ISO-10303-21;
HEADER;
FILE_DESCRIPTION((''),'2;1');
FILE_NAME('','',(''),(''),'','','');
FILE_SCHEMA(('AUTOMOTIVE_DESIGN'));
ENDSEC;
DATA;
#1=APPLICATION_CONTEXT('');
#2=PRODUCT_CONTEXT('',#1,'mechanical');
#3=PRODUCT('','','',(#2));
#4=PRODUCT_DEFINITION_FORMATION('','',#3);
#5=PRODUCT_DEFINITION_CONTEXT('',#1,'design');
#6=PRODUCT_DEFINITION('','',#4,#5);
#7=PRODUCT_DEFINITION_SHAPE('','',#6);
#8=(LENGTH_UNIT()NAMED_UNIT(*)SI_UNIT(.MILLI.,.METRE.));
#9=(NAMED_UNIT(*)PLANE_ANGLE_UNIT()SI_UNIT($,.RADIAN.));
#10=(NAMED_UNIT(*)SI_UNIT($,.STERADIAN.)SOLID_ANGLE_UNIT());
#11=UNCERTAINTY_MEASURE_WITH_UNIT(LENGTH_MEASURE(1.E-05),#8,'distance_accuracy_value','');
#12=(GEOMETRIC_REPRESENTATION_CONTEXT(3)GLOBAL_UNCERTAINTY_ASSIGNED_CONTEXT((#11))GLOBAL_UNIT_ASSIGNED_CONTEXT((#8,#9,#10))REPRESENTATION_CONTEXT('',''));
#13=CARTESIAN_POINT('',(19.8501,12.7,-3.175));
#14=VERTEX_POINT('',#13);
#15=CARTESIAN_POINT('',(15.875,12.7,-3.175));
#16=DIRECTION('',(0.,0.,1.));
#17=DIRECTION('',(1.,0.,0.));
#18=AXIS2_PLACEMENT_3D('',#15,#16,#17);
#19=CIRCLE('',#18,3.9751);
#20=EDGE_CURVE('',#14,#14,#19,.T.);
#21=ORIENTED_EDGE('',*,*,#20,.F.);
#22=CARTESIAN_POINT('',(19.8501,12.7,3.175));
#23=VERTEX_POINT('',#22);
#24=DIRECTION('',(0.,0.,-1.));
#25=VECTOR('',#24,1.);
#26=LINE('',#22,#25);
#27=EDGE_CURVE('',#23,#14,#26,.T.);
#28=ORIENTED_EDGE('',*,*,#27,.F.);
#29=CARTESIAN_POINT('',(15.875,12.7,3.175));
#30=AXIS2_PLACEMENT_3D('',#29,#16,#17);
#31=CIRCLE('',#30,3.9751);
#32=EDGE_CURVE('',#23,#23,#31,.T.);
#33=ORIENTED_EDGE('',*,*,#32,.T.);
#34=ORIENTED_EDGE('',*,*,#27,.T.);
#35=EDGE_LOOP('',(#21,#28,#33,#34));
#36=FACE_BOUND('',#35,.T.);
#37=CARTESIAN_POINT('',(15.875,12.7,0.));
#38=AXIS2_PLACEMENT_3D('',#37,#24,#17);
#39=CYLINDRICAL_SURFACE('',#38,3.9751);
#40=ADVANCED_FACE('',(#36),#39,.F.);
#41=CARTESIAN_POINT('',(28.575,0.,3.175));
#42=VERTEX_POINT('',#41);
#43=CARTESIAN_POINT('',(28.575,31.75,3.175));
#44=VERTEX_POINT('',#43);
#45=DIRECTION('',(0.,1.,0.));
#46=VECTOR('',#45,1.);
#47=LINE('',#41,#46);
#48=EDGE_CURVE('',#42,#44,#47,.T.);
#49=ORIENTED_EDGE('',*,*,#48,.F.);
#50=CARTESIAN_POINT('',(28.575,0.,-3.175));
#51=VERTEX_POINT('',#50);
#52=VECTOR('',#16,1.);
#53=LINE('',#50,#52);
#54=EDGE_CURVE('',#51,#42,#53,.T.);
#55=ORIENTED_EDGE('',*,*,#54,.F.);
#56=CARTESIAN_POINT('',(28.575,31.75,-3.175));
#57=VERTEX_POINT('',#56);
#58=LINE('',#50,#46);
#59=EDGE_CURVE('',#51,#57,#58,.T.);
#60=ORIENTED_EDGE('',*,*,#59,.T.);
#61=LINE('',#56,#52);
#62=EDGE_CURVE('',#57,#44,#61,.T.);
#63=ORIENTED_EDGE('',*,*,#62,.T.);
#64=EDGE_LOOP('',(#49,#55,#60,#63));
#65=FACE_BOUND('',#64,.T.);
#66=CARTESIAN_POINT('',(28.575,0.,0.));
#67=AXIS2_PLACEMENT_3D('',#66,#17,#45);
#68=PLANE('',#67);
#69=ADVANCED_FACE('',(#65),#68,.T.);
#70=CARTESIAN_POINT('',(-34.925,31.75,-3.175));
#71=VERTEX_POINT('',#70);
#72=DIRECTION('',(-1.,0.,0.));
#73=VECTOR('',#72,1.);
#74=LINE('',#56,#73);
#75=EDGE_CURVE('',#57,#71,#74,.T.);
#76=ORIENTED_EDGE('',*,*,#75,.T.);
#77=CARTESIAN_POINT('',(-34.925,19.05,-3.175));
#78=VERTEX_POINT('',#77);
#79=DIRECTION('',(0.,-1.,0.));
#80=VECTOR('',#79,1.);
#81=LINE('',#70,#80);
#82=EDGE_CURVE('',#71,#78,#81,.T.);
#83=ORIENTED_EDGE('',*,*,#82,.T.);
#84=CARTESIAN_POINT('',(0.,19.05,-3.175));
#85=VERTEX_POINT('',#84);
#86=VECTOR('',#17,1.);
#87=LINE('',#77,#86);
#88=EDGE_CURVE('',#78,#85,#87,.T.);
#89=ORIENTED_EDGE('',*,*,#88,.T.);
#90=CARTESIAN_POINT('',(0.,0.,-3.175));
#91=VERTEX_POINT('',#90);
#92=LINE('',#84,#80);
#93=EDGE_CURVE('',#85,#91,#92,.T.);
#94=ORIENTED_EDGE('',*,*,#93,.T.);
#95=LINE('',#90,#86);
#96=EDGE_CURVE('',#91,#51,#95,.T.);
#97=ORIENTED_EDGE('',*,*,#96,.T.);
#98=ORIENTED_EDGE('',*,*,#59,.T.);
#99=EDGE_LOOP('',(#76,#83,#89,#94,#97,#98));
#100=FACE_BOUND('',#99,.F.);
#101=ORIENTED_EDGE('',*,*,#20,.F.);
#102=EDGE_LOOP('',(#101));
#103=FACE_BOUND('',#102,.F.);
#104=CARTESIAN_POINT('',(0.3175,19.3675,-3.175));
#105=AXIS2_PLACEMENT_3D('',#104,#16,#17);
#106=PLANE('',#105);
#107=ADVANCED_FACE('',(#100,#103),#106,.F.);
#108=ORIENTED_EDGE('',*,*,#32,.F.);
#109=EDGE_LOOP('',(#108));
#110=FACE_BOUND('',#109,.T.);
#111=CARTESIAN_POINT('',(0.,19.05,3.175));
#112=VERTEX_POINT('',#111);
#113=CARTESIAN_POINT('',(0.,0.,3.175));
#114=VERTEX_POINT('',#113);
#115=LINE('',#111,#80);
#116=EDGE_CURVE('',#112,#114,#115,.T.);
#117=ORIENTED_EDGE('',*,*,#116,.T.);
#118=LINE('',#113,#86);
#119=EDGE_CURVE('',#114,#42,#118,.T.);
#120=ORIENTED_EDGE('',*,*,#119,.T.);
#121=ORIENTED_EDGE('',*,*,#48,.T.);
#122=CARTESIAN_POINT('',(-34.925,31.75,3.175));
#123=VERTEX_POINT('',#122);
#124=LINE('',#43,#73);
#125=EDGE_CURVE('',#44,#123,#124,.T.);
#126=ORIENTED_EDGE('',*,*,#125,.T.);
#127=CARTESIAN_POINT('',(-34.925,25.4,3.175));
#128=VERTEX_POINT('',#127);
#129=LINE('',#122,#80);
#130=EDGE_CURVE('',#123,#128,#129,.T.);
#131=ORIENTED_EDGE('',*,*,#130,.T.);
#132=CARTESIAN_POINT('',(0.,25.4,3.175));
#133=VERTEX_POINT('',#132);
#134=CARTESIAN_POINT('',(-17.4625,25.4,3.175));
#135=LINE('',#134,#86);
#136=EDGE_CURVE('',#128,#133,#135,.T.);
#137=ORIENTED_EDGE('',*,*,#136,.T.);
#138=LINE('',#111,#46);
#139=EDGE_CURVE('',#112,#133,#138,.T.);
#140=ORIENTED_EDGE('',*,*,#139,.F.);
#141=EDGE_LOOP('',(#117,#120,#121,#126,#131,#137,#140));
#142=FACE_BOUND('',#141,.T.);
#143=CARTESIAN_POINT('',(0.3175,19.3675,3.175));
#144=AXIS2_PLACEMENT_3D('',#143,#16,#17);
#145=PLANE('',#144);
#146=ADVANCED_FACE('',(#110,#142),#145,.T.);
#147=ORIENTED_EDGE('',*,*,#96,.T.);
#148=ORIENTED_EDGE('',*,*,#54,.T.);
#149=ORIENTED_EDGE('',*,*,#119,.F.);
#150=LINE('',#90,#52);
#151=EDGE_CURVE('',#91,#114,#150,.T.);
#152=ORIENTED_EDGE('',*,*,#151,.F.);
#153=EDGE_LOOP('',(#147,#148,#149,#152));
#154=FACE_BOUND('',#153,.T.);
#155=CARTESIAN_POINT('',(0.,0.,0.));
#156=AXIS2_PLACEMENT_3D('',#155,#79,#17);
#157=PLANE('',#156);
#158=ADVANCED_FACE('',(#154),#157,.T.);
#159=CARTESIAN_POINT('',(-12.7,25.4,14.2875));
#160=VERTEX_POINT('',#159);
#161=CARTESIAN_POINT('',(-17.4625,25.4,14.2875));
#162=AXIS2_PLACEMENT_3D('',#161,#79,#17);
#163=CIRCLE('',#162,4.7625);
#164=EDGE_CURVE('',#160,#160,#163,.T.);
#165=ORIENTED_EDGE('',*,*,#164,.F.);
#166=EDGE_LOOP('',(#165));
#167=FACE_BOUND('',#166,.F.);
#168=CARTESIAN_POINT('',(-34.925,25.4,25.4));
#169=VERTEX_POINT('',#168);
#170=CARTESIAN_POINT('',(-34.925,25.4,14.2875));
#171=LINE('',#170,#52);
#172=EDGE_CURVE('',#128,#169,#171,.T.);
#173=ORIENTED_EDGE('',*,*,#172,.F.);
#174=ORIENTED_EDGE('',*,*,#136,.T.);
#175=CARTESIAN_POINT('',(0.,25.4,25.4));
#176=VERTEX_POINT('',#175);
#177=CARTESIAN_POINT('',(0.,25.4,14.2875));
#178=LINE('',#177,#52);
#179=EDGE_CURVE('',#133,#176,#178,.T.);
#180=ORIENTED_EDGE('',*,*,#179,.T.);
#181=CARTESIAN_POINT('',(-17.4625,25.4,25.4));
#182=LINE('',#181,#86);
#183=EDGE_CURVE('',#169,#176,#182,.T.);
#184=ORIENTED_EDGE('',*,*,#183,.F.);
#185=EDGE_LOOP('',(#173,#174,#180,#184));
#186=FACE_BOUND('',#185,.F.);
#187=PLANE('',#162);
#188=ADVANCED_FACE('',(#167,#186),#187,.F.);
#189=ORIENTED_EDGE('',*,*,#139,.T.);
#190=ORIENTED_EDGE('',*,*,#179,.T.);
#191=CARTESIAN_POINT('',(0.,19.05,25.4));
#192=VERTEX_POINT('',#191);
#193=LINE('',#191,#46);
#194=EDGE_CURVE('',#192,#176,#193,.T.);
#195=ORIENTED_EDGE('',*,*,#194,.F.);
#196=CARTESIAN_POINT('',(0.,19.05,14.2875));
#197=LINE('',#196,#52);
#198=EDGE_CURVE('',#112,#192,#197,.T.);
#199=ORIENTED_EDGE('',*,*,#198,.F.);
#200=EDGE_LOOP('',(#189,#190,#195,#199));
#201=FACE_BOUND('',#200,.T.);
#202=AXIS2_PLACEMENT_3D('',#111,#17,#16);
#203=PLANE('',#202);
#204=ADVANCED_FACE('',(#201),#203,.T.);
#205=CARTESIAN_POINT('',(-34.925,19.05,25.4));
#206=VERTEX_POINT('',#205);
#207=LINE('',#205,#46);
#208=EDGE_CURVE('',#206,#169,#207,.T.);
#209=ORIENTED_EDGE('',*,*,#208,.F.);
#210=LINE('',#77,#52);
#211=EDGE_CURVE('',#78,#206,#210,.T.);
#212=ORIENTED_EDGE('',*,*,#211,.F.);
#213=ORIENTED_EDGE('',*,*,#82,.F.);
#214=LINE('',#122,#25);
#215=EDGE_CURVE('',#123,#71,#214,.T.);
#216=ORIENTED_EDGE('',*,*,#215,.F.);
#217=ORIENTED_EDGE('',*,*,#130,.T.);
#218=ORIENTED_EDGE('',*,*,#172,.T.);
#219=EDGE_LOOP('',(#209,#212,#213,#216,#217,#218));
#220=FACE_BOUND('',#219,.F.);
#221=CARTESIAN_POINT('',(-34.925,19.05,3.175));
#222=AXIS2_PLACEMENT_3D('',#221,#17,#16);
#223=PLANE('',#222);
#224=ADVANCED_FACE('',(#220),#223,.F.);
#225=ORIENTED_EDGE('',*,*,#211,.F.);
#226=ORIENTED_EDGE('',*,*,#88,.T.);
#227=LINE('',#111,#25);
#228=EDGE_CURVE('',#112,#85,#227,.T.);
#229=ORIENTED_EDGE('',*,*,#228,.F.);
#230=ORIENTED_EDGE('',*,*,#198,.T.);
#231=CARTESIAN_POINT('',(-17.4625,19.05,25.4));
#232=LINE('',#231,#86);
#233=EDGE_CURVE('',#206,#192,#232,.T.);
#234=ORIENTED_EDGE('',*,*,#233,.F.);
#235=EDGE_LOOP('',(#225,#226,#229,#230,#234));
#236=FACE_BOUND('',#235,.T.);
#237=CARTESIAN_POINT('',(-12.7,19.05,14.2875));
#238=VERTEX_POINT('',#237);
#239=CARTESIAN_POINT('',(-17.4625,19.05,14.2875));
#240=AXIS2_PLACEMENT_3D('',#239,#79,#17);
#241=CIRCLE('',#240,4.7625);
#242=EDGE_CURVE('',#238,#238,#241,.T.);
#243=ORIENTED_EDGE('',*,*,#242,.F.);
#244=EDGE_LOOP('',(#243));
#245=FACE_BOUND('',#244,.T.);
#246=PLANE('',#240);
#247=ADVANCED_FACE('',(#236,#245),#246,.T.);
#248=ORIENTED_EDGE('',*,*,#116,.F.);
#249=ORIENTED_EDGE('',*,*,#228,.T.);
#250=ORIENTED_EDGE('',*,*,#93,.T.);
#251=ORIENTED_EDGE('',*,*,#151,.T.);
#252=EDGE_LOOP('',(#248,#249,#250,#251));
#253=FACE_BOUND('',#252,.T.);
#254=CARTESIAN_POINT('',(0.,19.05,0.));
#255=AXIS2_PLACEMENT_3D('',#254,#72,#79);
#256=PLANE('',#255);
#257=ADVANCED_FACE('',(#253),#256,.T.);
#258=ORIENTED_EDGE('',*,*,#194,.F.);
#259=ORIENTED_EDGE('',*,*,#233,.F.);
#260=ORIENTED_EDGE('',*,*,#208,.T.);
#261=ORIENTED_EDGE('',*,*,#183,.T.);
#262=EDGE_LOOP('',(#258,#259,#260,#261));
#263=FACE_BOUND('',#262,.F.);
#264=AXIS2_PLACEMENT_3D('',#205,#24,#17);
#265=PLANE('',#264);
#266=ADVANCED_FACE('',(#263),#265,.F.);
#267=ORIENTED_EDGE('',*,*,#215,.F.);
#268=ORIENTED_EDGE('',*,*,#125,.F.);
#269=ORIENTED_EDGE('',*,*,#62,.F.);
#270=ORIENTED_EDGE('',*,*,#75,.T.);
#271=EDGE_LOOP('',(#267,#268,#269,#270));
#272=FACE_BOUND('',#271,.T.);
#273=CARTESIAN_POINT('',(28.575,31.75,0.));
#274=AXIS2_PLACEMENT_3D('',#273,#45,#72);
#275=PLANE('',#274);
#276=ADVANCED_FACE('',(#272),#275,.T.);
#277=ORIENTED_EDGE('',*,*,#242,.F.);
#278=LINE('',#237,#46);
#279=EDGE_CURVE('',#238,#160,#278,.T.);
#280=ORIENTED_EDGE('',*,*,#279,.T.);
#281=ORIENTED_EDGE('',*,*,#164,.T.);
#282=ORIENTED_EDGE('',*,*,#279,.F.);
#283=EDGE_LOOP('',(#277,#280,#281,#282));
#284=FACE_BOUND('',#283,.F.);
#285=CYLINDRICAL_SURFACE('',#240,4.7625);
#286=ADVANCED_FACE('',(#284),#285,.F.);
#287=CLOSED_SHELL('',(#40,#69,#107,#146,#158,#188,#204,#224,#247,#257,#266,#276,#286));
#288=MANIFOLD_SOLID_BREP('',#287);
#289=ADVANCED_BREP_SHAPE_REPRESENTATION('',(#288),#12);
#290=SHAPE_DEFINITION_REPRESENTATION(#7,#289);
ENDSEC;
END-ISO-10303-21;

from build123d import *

# Parameters (mm, degrees)
F0_R     = 3.9751
F1_DEPTH = 3.175
F2_W     = 34.925
F2_H     = 22.225
F2_R     = 4.7625
F3_DEPTH = 6.35


with BuildPart() as f1:
    # F0 (on Top) → F1 (new body, symmetric)
    with BuildSketch(Plane.XY):
        Polygon((0, 19.05), (0, 0), (28.575, 0), (28.575, 31.75), (-34.925, 31.75), (-34.925, 19.05), align=None)
        with Locations((15.875, 12.7)):
            Circle(F0_R, mode=Mode.SUBTRACT)
    extrude(amount=F1_DEPTH, both=True)

    # F2 (on face) → F3 (join)
    with BuildSketch(Plane.XZ.offset(-19.05)):
        with Locations((-17.4625, 14.2875)):
            Rectangle(F2_W, F2_H)
        with Locations((-17.4625, 14.2875)):
            Circle(F2_R, mode=Mode.SUBTRACT)
    extrude(amount=-F3_DEPTH)


solid = f1.part
